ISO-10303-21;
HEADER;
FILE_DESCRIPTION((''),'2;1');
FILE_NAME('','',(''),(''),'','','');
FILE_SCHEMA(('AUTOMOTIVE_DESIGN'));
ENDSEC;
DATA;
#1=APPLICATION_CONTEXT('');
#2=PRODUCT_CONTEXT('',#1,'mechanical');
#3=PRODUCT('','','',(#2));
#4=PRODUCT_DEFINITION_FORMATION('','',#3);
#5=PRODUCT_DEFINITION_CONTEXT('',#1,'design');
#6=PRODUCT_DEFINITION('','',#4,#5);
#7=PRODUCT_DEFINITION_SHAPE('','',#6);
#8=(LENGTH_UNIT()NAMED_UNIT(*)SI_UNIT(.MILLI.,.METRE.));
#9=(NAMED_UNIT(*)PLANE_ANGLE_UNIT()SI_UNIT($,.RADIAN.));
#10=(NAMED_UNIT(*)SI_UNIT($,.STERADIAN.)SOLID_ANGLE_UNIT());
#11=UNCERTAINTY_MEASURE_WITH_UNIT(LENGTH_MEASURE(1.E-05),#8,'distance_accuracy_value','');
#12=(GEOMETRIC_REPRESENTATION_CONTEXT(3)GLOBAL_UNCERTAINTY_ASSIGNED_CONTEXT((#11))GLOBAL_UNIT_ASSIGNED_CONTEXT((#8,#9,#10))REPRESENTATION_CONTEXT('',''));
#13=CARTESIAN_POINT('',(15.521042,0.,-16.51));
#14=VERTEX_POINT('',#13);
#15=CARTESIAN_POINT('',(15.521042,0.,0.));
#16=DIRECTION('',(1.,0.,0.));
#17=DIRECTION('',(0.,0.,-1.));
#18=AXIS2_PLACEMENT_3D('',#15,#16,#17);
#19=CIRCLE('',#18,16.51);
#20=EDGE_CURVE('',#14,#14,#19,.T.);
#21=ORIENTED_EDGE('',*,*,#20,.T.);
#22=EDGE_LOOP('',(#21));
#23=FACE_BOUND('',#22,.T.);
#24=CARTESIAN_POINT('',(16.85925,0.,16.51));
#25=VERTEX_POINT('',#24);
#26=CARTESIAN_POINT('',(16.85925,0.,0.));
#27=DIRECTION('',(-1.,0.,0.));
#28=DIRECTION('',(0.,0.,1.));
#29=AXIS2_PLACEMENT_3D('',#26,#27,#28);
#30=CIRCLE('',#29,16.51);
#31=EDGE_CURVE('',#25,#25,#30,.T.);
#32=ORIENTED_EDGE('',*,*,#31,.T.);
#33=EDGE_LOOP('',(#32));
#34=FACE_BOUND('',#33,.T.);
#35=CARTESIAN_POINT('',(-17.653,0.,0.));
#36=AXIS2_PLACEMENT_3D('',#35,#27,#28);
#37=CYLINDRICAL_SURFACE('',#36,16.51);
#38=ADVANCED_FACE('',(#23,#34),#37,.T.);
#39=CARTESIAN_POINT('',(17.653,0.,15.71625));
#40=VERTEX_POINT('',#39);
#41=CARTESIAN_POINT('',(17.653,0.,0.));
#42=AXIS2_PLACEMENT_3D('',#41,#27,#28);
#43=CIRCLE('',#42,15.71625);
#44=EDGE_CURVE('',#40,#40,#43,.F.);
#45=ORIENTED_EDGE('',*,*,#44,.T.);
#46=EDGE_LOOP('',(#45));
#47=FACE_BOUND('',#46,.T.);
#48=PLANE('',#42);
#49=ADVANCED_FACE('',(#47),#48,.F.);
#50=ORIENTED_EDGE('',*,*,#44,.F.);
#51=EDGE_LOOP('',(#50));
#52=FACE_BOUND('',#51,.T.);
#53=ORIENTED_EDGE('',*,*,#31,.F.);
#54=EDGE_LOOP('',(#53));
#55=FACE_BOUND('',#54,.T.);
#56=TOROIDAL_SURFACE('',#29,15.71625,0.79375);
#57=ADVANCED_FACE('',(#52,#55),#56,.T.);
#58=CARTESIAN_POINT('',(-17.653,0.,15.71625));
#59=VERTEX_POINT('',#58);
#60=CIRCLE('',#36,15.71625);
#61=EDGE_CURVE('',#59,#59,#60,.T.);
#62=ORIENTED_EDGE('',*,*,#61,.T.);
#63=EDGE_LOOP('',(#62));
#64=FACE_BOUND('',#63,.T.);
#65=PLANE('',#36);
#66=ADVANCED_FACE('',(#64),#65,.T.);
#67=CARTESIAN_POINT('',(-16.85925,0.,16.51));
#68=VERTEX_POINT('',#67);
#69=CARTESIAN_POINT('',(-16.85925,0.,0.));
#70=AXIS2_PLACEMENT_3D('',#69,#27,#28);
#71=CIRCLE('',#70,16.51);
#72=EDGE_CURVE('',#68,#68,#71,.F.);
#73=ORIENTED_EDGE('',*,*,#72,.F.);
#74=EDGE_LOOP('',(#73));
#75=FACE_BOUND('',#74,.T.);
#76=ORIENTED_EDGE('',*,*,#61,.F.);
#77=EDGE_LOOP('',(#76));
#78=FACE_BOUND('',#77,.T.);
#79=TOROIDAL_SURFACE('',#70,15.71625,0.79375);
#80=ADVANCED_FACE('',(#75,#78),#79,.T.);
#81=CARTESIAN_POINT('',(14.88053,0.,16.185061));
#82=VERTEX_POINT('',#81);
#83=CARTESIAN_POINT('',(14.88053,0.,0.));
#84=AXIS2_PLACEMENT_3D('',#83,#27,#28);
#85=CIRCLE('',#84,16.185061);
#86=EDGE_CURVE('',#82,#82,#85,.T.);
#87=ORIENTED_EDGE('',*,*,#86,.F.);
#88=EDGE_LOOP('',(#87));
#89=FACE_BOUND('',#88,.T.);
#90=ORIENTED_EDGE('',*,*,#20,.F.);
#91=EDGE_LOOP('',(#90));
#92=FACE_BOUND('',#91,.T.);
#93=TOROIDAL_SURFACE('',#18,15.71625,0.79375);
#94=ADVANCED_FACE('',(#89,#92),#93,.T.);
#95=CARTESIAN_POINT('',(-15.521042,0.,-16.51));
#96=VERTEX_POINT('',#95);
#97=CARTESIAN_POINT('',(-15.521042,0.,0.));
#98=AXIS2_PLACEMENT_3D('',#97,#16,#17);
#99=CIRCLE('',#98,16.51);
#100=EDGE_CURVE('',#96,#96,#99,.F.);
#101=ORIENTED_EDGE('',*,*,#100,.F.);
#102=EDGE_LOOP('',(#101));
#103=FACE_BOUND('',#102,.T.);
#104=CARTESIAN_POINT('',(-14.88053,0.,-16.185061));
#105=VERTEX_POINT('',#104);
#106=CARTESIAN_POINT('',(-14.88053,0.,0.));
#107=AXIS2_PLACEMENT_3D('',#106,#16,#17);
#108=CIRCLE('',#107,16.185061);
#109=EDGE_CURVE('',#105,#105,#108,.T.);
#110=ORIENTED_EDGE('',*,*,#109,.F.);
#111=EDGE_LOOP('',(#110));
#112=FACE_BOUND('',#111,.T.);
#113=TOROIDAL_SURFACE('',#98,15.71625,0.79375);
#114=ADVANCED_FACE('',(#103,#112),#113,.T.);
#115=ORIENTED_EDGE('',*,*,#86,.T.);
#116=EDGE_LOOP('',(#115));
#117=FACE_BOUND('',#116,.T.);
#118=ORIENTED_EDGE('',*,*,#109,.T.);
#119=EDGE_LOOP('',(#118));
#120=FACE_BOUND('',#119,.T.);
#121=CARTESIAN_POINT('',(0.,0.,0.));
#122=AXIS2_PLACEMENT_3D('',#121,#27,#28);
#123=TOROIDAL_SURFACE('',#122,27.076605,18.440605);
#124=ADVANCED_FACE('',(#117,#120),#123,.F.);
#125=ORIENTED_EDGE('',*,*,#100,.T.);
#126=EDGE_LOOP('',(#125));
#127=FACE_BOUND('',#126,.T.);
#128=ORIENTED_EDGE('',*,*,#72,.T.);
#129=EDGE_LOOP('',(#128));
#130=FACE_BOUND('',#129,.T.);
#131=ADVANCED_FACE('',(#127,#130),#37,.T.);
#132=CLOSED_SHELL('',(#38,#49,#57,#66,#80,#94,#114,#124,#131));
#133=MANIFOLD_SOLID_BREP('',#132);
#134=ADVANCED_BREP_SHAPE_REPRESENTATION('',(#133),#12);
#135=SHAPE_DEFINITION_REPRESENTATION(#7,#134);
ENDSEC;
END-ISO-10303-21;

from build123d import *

# Parameters (mm, degrees)
FILLET2_R = 0.79375


with BuildPart() as part:
    # Sketch1 → Revolve1 (revolve)
    with BuildSketch(Plane.XY):
        with BuildLine():
            Line((-17.653, 0), (17.653, 0))
            Line((17.653, 0), (17.653, 16.51))
            Line((17.653, 16.51), (15.113, 16.51))
            ThreePointArc((15.113, 16.51), (0, 8.636), (-15.113, 16.51))
            Line((-15.113, 16.51), (-17.653, 16.51))
            Line((-17.653, 16.51), (-17.653, 0))
        make_face()
    revolve(axis=Axis((-17.653, 0, 0), (1, 0, 0)))

    # Fillet2
    fillet2_edges = [part.edges().sort_by_distance(p)[0] for p in [
        (-17.653, -16.51, 0),
        (-15.113, -16.51, 0),
        (15.113, -16.51, 0),
        (17.653, -16.51, 0),
    ]]
    fillet(fillet2_edges, radius=FILLET2_R)


solid = part.part
